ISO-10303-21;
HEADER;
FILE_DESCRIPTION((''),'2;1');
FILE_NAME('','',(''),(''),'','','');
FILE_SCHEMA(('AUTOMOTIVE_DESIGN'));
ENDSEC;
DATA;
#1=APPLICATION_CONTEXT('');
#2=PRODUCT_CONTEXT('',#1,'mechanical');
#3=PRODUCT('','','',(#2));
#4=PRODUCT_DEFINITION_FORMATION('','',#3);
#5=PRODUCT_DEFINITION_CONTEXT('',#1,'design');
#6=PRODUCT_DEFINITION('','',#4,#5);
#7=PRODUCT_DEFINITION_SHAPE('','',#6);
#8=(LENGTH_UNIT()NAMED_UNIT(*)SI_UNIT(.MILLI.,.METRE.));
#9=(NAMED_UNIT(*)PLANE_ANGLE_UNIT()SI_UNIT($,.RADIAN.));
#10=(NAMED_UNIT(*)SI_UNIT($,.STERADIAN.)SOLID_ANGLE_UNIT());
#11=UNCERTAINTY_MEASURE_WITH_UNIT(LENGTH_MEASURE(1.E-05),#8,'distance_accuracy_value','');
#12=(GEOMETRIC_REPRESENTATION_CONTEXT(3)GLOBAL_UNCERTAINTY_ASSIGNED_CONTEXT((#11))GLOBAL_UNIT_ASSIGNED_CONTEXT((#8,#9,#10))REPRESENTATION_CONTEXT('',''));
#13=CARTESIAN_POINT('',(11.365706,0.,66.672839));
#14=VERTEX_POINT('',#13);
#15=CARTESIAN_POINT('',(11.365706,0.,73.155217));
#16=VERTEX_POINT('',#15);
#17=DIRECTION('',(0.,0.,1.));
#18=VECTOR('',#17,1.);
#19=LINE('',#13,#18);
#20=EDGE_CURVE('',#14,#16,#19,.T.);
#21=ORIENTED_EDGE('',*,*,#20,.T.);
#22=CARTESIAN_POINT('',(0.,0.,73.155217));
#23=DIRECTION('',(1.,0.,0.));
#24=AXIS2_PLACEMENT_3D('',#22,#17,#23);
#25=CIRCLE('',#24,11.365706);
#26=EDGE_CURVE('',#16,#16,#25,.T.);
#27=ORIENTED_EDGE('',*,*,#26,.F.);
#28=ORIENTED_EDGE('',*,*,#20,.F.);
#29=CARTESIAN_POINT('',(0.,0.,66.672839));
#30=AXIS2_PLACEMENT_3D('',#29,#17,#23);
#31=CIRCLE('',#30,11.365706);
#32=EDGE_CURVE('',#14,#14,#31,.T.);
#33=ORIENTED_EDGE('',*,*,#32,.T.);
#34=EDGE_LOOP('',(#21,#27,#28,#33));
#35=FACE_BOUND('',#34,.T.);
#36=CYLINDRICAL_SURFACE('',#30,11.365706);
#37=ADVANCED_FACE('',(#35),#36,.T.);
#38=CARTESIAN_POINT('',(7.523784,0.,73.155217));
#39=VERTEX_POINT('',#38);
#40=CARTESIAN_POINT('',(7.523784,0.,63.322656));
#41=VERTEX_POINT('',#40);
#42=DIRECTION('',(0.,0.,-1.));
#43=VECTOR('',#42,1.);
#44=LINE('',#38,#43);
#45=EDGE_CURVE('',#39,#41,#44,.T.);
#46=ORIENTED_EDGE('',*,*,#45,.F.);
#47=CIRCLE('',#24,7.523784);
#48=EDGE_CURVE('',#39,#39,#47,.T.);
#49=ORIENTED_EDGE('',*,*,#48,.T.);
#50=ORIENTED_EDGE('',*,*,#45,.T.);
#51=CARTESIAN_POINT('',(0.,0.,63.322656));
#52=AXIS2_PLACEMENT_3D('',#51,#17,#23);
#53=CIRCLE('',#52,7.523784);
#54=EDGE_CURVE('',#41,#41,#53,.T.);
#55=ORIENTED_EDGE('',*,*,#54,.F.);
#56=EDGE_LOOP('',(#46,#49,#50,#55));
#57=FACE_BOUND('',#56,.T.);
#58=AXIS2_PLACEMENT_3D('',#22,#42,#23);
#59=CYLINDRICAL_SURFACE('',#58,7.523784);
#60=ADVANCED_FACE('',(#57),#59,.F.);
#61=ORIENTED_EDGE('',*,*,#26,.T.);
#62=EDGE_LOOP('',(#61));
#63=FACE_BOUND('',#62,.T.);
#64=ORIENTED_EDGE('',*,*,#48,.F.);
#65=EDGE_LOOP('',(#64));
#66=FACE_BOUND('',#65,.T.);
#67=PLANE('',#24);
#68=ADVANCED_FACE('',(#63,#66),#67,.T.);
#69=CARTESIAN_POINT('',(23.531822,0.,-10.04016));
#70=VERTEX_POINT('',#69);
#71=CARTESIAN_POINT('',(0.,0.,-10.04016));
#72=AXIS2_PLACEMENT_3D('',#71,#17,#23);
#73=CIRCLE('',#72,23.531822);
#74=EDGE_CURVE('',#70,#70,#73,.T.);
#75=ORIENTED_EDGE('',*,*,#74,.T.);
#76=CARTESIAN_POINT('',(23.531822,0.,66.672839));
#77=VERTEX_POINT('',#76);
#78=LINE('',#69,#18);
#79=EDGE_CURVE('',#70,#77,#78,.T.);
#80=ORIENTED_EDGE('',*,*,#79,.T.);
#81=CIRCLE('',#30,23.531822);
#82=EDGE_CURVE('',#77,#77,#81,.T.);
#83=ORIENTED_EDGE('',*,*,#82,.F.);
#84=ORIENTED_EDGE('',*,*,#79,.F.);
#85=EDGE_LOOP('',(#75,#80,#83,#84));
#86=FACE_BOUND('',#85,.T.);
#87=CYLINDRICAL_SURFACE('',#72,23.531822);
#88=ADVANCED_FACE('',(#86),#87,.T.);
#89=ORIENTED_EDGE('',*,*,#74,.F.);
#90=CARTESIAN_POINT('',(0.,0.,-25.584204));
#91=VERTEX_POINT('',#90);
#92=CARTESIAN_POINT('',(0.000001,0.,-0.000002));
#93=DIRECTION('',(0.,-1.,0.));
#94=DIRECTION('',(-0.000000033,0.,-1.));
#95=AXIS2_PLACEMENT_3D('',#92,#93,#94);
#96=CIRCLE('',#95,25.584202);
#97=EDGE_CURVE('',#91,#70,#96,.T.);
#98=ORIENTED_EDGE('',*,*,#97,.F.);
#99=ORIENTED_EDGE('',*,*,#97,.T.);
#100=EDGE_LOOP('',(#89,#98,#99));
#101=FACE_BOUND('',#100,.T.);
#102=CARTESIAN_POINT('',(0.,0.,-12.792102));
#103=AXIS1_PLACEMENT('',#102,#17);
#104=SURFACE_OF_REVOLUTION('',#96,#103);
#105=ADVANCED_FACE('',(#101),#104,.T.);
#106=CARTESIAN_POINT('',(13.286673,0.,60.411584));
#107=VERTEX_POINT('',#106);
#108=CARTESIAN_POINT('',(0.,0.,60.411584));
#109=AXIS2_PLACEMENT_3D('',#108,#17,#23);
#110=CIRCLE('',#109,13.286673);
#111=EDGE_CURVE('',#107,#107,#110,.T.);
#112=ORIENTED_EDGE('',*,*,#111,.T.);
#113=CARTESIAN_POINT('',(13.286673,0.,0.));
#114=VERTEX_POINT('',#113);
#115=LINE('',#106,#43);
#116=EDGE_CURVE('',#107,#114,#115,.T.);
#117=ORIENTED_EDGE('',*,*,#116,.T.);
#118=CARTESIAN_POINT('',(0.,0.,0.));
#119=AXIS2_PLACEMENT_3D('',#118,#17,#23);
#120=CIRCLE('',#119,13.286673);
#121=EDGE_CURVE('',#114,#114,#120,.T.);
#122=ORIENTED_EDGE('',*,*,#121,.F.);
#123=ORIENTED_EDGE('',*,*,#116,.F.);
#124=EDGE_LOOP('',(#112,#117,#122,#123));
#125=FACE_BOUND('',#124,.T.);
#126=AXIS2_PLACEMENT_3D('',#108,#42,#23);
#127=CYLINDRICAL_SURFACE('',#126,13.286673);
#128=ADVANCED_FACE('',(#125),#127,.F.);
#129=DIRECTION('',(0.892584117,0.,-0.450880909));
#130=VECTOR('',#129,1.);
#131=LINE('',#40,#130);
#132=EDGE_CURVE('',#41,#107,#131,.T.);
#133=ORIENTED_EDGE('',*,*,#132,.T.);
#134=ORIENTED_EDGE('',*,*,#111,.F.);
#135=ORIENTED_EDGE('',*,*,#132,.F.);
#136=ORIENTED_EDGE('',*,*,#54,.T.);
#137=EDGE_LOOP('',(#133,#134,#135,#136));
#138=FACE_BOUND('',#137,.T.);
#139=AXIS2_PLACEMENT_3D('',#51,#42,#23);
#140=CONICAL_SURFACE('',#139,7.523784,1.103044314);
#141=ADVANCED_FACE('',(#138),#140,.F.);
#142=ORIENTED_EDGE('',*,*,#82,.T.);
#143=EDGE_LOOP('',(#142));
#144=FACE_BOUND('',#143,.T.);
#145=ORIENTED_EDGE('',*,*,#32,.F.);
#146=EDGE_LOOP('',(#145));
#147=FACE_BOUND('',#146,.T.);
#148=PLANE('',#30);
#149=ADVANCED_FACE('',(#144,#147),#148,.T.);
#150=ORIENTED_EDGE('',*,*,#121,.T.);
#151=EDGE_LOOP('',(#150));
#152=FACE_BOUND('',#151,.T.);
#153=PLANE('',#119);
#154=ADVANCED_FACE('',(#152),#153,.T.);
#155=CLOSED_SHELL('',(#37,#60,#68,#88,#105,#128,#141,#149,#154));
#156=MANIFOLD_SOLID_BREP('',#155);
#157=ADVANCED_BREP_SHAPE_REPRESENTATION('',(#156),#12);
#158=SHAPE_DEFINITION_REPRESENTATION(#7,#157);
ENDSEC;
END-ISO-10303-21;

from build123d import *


with BuildPart() as f1:
    # F0 (on Front) → F1 (revolve)
    with BuildSketch(Plane.XZ):
        with BuildLine():
            Line((13.286673, 0), (0, 0))
            Line((0, 0), (0, -25.584204))
            ThreePointArc((0, -25.584204), (14.101099, -21.347377), (23.531822, -10.04016))
            Line((23.531822, -10.04016), (23.531822, 66.672839))
            Line((23.531822, 66.672839), (11.365706, 66.672839))
            Line((11.365706, 66.672839), (11.365706, 73.155217))
            Line((11.365706, 73.155217), (7.523784, 73.155217))
            Line((7.523784, 73.155217), (7.523784, 63.322656))
            Line((7.523784, 63.322656), (13.286673, 60.411584))
            Line((13.286673, 60.411584), (13.286673, 0))
        make_face()
    revolve(axis=Axis((0, 0, -12.792102), (0, 0, 1)))


solid = f1.part
